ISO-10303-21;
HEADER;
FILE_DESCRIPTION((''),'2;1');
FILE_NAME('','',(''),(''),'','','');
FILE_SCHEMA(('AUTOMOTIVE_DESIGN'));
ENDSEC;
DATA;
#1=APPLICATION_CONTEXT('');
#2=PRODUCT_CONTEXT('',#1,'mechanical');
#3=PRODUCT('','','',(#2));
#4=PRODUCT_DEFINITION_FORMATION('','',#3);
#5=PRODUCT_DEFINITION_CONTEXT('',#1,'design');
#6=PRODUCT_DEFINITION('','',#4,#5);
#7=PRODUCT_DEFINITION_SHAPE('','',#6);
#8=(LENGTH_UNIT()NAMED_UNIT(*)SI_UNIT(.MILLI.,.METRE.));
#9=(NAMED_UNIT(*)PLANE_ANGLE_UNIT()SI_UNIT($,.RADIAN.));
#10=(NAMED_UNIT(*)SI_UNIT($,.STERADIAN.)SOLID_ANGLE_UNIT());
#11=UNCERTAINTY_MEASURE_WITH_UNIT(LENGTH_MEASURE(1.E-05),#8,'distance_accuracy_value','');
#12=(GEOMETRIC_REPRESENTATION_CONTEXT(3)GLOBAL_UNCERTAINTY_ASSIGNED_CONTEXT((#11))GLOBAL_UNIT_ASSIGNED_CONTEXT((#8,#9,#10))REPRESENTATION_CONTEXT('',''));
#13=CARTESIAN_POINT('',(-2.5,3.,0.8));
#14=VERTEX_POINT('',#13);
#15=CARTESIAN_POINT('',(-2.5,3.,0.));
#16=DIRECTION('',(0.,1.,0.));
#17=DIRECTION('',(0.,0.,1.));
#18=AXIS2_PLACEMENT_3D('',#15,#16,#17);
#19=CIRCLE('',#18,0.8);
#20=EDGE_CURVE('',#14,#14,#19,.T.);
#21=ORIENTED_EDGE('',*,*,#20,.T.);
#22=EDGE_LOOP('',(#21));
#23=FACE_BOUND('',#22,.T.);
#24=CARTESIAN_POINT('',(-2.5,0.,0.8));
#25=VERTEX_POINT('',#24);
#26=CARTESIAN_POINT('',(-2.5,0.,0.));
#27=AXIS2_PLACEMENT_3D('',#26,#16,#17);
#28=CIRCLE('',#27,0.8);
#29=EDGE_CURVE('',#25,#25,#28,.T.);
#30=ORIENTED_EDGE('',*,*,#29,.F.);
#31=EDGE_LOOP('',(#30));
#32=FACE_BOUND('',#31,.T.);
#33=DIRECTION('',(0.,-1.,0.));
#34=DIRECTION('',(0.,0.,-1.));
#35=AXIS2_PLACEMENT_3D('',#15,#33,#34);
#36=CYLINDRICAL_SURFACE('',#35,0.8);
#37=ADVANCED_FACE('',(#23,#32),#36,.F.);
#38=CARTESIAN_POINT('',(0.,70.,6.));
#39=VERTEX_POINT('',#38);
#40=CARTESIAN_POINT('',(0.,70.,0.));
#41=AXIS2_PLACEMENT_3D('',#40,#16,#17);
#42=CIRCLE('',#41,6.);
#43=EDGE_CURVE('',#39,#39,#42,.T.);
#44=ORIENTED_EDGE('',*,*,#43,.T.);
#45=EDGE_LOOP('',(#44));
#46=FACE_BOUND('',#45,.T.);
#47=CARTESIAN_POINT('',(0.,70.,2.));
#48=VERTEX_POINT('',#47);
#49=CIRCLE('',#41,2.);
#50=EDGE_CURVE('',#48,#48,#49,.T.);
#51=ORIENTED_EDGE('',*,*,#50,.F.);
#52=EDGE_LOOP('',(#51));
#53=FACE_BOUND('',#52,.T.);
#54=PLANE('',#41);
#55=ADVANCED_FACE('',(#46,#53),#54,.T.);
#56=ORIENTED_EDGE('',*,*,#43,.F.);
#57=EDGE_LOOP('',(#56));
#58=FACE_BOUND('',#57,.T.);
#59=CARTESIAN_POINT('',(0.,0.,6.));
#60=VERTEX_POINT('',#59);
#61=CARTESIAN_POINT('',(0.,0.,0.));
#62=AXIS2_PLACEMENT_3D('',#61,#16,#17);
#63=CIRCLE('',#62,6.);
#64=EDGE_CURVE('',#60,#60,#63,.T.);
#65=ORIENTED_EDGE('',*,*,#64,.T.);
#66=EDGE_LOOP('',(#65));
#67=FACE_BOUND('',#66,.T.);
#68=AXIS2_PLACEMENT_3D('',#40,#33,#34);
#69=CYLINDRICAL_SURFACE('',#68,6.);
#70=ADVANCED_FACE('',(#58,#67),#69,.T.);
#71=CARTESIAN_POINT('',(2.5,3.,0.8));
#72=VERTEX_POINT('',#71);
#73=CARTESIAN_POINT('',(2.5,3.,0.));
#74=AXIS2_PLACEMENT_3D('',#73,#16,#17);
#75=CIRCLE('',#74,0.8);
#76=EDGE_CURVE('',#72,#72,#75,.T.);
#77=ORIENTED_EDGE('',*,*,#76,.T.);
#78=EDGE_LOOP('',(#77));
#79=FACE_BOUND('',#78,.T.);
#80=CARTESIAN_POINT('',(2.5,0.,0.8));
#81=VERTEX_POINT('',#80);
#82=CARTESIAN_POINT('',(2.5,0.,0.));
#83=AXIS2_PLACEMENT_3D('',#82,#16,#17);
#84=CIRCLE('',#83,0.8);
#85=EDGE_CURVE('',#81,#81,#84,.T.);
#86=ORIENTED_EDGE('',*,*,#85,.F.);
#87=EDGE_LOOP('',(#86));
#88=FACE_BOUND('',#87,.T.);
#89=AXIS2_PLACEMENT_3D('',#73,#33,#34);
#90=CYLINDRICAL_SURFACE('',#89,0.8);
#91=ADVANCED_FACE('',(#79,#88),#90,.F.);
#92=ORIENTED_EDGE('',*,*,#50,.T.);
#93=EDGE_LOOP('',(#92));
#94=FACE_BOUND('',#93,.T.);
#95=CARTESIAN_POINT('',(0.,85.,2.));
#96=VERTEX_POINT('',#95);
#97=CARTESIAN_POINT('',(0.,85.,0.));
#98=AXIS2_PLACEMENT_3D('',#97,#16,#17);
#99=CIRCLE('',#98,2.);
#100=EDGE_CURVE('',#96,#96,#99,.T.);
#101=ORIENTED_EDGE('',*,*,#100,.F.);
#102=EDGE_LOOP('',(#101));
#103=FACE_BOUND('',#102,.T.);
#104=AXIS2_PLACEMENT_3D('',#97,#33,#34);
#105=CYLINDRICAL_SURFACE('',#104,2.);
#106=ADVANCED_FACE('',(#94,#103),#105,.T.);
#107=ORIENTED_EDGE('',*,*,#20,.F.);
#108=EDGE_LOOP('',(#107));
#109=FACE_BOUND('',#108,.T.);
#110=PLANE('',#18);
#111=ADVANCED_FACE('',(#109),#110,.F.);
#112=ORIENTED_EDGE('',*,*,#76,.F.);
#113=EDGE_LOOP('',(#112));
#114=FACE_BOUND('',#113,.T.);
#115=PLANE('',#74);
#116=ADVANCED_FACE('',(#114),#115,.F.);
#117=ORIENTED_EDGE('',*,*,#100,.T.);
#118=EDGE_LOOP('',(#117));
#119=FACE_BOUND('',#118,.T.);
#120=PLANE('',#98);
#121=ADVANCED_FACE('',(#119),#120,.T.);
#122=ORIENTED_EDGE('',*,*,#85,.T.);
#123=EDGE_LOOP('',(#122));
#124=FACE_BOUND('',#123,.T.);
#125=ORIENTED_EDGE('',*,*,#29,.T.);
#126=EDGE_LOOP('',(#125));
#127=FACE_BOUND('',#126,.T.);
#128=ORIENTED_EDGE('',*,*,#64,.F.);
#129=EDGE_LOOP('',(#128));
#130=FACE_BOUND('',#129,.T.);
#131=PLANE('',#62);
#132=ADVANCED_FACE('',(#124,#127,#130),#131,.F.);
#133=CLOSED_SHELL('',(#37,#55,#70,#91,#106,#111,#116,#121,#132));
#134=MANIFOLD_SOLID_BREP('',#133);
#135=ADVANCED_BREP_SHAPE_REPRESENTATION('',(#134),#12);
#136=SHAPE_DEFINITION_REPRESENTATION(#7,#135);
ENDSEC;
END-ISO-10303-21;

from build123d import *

# Parameters (mm, degrees)
SKETCH1_R        = 6
PROBE_BODY_DEPTH = 70
SKETCH2_R        = 0.8
PIN_WELLS_DEPTH  = 3
CABLE_STUB_START = 70
SKETCH3_R        = 2
CABLE_STUB_DEPTH = 15


with BuildPart() as part:
    # Sketch1 → Probe_Body (new body)
    with BuildSketch(Plane(origin=(0, 0, 0), x_dir=(1, 0, 0), z_dir=(0, 1, 0))):
        with Locations(Location((0, 0, 0), (0, 0, 270))):
            Circle(SKETCH1_R)
    extrude(amount=PROBE_BODY_DEPTH)

    # Sketch2 → Pin_Wells (cut)
    with BuildSketch(Plane(origin=(0, 0, 0), x_dir=(1, 0, 0), z_dir=(0, 1, 0))):
        with Locations(Location((-2.5, 0, 0), (0, 0, 270))):
            Circle(SKETCH2_R)
        with Locations(Location((2.5, 0, 0), (0, 0, 270))):
            Circle(SKETCH2_R)
    extrude(amount=PIN_WELLS_DEPTH, mode=Mode.SUBTRACT)

    # Sketch3 → Cable_Stub (add)
    with BuildSketch(Plane(origin=(0, 0, 0), x_dir=(1, 0, 0), z_dir=(0, 1, 0)).offset(CABLE_STUB_START)):
        with Locations(Location((0, 0, 0), (0, 0, 270))):
            Circle(SKETCH3_R)
    extrude(amount=CABLE_STUB_DEPTH)


solid = part.part
